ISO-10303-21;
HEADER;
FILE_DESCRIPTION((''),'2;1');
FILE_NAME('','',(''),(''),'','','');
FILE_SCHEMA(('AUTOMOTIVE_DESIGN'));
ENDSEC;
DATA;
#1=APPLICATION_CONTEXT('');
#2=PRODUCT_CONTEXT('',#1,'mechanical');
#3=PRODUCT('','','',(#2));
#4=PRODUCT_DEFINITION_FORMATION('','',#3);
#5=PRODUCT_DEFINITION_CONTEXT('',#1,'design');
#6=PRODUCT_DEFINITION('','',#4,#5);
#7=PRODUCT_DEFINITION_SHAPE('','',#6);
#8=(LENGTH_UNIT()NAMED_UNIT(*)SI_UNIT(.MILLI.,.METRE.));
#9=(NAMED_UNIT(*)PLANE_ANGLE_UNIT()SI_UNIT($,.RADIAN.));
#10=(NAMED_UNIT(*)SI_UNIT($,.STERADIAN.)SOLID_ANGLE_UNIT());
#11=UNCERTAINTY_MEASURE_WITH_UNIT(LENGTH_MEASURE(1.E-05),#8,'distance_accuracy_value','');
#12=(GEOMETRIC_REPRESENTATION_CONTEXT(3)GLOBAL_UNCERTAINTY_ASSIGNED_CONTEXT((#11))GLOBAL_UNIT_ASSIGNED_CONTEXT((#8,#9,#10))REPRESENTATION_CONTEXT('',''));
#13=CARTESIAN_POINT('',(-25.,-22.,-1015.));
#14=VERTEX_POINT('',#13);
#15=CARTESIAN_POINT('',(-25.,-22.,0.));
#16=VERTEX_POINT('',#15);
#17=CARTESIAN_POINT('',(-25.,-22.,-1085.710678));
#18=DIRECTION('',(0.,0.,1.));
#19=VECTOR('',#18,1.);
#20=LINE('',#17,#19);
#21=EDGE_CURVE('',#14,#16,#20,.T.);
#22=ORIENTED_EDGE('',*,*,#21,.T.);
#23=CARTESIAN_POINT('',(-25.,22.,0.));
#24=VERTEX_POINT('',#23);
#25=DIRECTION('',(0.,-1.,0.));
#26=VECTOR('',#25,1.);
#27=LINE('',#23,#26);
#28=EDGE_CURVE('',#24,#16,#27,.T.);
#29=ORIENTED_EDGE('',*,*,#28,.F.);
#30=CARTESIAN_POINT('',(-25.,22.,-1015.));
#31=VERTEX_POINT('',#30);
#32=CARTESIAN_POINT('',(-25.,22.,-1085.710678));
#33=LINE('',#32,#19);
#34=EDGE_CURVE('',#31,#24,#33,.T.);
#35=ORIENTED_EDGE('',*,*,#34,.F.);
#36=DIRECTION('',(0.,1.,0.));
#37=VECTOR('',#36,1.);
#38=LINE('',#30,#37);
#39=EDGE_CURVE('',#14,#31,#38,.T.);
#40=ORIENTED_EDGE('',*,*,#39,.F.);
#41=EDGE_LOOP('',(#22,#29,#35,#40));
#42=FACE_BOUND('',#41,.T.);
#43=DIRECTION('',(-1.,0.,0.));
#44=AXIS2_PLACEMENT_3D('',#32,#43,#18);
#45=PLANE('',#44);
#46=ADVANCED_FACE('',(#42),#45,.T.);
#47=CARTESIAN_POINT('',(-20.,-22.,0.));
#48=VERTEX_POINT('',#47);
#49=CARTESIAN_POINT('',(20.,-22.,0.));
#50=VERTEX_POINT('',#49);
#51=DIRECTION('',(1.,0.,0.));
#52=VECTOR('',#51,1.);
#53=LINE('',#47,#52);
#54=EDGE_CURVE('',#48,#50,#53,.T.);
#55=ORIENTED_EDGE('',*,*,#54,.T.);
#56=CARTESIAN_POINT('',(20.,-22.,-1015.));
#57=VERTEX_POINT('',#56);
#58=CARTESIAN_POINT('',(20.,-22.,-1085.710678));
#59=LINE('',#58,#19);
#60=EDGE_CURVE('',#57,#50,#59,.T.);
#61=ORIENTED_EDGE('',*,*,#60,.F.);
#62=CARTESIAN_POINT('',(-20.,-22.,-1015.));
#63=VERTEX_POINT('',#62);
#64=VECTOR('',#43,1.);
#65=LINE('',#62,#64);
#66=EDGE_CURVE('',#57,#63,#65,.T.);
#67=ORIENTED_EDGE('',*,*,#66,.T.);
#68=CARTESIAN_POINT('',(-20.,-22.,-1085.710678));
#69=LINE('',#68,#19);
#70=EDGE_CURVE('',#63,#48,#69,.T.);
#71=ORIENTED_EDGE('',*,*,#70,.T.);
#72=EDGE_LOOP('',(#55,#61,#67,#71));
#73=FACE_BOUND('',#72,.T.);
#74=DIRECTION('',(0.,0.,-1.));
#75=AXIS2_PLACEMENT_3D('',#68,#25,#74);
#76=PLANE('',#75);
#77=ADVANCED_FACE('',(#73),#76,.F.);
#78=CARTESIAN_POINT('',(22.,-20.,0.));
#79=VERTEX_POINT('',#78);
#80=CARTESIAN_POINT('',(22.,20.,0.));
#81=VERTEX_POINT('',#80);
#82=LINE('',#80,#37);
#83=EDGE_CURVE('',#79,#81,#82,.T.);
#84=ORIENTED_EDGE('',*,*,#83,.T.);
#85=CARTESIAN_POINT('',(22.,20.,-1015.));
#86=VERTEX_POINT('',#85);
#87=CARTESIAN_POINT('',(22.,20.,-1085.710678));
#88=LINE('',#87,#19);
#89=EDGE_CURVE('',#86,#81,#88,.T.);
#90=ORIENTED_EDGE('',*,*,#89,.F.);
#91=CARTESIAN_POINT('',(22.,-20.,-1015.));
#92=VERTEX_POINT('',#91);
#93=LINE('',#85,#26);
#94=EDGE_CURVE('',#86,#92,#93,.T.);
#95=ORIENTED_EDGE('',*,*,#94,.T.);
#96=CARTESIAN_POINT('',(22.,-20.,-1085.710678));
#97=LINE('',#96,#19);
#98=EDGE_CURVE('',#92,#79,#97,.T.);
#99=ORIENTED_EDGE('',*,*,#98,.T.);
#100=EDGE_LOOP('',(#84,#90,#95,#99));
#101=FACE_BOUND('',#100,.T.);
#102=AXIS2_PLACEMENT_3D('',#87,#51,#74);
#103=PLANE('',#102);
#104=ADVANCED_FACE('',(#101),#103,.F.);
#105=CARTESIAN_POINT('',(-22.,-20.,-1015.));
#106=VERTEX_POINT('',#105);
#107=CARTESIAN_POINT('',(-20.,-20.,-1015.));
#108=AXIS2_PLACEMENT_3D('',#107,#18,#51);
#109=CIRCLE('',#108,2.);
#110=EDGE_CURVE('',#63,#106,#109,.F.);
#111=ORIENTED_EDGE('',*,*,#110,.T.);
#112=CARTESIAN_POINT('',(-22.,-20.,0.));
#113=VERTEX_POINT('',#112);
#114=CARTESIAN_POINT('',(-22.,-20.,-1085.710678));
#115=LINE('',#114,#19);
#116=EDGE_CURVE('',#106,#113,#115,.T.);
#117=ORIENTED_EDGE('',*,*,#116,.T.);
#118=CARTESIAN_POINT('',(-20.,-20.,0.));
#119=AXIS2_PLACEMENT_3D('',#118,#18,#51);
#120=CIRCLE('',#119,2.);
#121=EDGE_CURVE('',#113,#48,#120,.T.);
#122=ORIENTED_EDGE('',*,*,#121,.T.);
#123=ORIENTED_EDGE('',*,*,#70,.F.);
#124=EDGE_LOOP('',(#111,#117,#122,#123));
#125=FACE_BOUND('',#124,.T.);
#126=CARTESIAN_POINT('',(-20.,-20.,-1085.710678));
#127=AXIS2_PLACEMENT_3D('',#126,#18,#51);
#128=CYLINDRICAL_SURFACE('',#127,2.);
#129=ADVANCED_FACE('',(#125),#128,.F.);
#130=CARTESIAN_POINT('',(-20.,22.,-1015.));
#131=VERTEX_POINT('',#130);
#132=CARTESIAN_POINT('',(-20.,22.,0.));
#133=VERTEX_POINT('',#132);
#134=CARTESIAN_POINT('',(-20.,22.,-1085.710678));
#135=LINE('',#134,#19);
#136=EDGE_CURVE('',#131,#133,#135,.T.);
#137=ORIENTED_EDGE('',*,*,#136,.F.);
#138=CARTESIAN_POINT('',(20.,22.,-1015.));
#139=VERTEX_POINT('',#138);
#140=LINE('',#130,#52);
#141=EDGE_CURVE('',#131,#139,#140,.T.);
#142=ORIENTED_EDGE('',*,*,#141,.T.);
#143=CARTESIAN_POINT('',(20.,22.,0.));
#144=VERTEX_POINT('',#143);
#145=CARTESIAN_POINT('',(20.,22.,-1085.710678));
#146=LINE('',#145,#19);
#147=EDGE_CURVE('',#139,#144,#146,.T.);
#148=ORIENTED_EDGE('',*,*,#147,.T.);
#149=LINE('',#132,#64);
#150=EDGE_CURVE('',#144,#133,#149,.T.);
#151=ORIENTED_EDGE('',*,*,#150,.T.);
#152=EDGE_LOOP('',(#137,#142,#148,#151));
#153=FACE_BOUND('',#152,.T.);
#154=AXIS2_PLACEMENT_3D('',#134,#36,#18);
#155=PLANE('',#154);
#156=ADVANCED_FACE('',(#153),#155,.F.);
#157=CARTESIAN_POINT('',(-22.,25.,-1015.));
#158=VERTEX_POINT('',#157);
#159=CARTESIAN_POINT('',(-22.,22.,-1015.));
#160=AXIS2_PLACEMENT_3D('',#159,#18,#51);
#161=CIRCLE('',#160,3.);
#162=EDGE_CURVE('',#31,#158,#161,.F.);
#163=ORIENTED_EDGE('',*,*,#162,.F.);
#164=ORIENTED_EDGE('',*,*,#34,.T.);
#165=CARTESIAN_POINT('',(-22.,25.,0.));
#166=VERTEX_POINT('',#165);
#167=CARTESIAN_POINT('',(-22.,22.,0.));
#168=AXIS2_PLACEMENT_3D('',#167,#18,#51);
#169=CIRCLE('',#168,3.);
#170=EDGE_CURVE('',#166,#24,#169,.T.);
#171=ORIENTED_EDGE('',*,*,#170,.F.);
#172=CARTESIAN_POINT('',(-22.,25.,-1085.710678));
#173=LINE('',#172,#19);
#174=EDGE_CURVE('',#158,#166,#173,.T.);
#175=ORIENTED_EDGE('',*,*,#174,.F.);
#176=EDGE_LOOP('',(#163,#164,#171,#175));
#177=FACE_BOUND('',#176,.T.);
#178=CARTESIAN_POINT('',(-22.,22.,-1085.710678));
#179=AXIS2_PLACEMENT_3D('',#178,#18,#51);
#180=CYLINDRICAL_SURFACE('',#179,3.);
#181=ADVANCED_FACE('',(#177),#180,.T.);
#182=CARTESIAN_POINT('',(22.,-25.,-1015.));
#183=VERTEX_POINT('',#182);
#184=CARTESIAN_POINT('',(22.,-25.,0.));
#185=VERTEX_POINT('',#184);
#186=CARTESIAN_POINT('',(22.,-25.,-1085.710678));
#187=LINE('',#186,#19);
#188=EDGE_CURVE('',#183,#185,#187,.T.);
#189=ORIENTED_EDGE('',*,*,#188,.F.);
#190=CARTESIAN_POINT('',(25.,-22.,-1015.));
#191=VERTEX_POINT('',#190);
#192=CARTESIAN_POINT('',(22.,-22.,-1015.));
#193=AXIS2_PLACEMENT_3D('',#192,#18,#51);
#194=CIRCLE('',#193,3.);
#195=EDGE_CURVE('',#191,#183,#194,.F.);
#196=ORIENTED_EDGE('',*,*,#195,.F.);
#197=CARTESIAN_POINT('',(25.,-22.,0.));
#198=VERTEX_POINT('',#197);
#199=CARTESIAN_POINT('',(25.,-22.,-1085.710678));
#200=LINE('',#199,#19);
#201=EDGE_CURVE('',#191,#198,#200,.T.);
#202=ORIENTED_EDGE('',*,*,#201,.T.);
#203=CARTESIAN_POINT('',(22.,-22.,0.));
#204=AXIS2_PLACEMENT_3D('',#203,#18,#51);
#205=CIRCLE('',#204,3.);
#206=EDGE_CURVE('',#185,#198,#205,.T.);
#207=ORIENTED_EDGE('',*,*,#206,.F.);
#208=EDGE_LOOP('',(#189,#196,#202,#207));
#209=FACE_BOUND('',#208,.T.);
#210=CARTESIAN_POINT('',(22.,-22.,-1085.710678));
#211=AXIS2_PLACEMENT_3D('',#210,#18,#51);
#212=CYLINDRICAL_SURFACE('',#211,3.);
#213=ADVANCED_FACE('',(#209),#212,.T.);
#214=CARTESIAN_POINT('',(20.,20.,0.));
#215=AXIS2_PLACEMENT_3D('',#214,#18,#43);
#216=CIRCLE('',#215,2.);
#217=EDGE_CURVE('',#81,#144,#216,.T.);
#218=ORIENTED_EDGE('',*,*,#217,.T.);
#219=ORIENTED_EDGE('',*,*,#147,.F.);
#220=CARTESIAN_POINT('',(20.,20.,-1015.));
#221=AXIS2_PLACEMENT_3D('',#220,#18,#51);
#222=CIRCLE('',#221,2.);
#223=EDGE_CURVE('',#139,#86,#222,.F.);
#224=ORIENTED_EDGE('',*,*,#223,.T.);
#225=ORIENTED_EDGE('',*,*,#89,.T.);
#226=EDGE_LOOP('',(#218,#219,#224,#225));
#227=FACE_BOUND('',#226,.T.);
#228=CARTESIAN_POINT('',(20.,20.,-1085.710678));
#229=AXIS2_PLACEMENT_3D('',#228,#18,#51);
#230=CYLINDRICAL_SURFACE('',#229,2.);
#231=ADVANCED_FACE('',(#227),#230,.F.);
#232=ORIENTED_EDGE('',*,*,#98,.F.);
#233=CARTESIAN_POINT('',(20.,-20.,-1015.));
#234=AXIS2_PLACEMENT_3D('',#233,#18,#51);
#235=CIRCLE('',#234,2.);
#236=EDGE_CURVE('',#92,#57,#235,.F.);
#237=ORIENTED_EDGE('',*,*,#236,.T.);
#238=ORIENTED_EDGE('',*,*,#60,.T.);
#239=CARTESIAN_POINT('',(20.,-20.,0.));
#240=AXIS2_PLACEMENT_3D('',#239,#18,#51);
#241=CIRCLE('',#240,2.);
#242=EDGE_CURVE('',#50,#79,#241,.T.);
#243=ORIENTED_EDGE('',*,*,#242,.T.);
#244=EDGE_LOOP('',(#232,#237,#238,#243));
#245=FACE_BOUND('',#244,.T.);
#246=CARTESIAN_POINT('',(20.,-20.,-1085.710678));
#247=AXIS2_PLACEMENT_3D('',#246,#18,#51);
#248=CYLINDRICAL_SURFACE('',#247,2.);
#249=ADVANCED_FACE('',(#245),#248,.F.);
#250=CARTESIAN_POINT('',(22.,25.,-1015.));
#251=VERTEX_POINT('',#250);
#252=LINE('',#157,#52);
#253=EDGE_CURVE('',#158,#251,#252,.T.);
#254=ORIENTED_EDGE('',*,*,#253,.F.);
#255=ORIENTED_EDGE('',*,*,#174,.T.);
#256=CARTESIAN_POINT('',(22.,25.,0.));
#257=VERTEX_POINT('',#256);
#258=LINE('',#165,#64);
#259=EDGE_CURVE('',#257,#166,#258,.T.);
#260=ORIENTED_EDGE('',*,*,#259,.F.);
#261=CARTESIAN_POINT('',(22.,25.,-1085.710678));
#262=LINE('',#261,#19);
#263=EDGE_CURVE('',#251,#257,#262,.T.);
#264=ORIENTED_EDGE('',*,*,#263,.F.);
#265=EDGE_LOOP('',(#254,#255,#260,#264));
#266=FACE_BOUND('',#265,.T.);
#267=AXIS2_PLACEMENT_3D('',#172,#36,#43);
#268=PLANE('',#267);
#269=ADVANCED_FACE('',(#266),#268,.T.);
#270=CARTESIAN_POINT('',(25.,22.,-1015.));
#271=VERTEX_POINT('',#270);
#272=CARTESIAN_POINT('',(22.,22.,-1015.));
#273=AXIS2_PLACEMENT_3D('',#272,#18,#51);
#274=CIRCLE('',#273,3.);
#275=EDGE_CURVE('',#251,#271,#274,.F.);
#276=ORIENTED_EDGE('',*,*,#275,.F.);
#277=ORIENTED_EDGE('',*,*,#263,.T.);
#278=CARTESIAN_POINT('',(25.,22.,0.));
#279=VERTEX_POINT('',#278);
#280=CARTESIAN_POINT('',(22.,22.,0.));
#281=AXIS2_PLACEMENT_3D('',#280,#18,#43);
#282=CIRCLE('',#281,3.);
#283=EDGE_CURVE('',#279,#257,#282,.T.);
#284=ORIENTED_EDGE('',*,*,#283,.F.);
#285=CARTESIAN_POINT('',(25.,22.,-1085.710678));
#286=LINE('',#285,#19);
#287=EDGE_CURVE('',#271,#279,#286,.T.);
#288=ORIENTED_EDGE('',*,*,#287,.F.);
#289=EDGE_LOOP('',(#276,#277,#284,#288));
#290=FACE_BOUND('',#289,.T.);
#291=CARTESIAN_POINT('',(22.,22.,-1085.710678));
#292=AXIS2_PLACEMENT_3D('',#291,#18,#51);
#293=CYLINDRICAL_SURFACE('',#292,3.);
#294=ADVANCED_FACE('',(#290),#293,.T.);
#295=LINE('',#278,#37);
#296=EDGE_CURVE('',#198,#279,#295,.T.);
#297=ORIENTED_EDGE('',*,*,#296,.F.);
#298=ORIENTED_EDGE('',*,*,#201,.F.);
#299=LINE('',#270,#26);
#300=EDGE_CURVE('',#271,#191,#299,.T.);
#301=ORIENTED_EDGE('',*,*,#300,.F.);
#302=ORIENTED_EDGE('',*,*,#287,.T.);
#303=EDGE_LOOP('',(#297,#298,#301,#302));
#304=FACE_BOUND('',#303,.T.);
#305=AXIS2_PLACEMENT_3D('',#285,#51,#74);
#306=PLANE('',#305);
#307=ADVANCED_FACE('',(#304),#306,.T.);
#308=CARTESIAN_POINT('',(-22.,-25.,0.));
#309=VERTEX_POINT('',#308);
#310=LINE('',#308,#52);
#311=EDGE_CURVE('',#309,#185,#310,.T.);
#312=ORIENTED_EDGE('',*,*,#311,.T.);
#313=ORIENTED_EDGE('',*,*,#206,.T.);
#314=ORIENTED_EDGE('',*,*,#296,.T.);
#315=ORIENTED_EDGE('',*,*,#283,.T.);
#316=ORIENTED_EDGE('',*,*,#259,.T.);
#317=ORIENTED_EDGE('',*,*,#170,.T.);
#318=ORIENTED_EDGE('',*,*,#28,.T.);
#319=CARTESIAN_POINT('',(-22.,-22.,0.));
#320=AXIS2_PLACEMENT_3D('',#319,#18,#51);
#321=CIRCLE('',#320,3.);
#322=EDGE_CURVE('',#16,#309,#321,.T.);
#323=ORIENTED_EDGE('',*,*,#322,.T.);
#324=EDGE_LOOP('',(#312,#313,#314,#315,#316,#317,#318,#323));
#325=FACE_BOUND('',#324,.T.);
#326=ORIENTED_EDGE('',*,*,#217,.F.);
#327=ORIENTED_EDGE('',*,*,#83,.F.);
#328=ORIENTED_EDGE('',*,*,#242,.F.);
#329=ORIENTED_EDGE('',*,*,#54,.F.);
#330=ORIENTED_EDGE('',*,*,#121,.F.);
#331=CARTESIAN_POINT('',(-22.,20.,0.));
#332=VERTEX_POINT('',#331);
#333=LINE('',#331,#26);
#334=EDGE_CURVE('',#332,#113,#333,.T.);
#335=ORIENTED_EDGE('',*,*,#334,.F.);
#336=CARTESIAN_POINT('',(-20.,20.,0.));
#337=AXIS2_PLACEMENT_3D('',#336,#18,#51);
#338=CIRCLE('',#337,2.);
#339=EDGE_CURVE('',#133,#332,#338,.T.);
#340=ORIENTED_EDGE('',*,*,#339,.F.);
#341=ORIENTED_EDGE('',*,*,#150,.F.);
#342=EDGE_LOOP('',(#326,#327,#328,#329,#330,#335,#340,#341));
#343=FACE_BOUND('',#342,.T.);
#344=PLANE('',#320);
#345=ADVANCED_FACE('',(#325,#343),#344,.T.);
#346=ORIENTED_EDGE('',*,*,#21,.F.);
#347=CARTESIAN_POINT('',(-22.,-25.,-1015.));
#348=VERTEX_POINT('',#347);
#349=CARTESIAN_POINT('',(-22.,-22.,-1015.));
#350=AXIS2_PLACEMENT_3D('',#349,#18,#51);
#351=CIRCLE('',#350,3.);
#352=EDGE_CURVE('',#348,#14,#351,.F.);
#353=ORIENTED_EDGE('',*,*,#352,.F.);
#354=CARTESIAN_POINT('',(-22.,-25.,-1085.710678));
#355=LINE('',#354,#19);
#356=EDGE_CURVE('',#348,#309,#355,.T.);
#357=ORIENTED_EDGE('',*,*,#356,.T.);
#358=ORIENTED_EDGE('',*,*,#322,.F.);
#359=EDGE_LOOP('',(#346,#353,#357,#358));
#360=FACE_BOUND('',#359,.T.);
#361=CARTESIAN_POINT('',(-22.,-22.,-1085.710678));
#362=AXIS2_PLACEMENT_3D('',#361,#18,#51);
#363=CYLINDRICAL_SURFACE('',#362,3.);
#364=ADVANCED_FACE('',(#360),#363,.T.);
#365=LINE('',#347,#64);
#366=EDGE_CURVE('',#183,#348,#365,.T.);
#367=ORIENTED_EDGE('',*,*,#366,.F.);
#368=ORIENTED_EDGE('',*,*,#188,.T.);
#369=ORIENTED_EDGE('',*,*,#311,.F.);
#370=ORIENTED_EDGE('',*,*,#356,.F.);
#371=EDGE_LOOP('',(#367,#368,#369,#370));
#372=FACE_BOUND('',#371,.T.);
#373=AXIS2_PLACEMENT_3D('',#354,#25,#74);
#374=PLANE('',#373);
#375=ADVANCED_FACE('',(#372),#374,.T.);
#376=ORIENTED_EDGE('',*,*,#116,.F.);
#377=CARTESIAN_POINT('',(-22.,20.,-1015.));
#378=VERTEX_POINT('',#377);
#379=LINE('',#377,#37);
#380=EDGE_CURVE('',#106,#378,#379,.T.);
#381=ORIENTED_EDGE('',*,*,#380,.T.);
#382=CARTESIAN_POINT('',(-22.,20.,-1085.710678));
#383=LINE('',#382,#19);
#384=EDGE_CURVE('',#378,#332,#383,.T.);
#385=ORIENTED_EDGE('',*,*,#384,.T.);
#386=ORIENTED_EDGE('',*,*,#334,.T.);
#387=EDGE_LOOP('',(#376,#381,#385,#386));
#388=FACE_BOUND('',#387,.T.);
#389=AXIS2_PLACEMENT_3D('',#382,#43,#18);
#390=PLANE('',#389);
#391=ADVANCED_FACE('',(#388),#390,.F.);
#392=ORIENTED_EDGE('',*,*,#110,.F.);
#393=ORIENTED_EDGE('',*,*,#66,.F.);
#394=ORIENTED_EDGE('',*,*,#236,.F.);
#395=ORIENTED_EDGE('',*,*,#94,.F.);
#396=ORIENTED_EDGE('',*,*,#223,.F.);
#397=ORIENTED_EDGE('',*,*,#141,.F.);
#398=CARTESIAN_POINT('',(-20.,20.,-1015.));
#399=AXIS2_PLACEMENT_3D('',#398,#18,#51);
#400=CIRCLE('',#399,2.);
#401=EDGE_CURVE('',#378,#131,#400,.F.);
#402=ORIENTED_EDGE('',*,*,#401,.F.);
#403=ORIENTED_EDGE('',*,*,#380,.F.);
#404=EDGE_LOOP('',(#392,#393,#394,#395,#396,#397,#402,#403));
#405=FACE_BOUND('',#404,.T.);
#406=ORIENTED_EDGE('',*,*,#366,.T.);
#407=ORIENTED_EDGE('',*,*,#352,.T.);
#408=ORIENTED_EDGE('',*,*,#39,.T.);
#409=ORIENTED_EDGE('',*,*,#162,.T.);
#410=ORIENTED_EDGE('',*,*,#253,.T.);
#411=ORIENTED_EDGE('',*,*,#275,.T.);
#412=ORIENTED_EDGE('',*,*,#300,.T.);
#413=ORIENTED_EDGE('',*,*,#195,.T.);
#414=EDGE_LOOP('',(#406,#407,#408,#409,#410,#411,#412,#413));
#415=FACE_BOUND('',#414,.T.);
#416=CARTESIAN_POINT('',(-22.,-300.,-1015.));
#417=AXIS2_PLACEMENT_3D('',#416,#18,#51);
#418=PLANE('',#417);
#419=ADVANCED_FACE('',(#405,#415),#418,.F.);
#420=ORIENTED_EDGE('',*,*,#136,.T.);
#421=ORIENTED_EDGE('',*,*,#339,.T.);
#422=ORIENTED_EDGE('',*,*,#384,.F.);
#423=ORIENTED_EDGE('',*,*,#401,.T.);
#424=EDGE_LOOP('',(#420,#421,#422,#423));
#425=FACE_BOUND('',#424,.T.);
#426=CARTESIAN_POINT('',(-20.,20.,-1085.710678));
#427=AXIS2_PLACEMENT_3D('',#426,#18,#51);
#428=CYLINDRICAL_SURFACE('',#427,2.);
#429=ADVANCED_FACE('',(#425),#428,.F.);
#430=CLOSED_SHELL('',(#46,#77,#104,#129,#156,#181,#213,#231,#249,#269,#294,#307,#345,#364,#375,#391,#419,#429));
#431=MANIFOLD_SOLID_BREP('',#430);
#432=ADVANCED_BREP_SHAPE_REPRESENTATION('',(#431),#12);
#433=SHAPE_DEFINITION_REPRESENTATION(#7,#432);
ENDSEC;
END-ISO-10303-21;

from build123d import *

# Parameters (mm, degrees)
EXTRUDE_1_DEPTH = 1015


with BuildPart() as part:
    # Эскиз1 → Бобышка-Вытянуть1 (new body)
    with BuildSketch(Plane.XY):
        with BuildLine():
            Line((-22, 25), (22, 25))
            ThreePointArc((22, 25), (24.121320344, 24.121320344), (25, 22))
            Line((25, 22), (25, -22))
            ThreePointArc((25, -22), (24.121320344, -24.121320344), (22, -25))
            Line((22, -25), (-22, -25))
            ThreePointArc((-22, -25), (-24.121320344, -24.121320344), (-25, -22))
            Line((-25, -22), (-25, 22))
            ThreePointArc((-25, 22), (-24.121320344, 24.121320344), (-22, 25))
        make_face()
        with BuildLine():
            Line((-20, 22), (20, 22))
            ThreePointArc((20, 22), (21.414213562, 21.414213562), (22, 20))
            Line((22, 20), (22, -20))
            ThreePointArc((22, -20), (21.414213562, -21.414213562), (20, -22))
            Line((20, -22), (-20, -22))
            ThreePointArc((-20, -22), (-21.414213562, -21.414213562), (-22, -20))
            Line((-22, -20), (-22, 20))
            ThreePointArc((-22, 20), (-21.414213562, 21.414213562), (-20, 22))
        make_face(mode=Mode.SUBTRACT)
    extrude(amount=-EXTRUDE_1_DEPTH)


solid = part.part
